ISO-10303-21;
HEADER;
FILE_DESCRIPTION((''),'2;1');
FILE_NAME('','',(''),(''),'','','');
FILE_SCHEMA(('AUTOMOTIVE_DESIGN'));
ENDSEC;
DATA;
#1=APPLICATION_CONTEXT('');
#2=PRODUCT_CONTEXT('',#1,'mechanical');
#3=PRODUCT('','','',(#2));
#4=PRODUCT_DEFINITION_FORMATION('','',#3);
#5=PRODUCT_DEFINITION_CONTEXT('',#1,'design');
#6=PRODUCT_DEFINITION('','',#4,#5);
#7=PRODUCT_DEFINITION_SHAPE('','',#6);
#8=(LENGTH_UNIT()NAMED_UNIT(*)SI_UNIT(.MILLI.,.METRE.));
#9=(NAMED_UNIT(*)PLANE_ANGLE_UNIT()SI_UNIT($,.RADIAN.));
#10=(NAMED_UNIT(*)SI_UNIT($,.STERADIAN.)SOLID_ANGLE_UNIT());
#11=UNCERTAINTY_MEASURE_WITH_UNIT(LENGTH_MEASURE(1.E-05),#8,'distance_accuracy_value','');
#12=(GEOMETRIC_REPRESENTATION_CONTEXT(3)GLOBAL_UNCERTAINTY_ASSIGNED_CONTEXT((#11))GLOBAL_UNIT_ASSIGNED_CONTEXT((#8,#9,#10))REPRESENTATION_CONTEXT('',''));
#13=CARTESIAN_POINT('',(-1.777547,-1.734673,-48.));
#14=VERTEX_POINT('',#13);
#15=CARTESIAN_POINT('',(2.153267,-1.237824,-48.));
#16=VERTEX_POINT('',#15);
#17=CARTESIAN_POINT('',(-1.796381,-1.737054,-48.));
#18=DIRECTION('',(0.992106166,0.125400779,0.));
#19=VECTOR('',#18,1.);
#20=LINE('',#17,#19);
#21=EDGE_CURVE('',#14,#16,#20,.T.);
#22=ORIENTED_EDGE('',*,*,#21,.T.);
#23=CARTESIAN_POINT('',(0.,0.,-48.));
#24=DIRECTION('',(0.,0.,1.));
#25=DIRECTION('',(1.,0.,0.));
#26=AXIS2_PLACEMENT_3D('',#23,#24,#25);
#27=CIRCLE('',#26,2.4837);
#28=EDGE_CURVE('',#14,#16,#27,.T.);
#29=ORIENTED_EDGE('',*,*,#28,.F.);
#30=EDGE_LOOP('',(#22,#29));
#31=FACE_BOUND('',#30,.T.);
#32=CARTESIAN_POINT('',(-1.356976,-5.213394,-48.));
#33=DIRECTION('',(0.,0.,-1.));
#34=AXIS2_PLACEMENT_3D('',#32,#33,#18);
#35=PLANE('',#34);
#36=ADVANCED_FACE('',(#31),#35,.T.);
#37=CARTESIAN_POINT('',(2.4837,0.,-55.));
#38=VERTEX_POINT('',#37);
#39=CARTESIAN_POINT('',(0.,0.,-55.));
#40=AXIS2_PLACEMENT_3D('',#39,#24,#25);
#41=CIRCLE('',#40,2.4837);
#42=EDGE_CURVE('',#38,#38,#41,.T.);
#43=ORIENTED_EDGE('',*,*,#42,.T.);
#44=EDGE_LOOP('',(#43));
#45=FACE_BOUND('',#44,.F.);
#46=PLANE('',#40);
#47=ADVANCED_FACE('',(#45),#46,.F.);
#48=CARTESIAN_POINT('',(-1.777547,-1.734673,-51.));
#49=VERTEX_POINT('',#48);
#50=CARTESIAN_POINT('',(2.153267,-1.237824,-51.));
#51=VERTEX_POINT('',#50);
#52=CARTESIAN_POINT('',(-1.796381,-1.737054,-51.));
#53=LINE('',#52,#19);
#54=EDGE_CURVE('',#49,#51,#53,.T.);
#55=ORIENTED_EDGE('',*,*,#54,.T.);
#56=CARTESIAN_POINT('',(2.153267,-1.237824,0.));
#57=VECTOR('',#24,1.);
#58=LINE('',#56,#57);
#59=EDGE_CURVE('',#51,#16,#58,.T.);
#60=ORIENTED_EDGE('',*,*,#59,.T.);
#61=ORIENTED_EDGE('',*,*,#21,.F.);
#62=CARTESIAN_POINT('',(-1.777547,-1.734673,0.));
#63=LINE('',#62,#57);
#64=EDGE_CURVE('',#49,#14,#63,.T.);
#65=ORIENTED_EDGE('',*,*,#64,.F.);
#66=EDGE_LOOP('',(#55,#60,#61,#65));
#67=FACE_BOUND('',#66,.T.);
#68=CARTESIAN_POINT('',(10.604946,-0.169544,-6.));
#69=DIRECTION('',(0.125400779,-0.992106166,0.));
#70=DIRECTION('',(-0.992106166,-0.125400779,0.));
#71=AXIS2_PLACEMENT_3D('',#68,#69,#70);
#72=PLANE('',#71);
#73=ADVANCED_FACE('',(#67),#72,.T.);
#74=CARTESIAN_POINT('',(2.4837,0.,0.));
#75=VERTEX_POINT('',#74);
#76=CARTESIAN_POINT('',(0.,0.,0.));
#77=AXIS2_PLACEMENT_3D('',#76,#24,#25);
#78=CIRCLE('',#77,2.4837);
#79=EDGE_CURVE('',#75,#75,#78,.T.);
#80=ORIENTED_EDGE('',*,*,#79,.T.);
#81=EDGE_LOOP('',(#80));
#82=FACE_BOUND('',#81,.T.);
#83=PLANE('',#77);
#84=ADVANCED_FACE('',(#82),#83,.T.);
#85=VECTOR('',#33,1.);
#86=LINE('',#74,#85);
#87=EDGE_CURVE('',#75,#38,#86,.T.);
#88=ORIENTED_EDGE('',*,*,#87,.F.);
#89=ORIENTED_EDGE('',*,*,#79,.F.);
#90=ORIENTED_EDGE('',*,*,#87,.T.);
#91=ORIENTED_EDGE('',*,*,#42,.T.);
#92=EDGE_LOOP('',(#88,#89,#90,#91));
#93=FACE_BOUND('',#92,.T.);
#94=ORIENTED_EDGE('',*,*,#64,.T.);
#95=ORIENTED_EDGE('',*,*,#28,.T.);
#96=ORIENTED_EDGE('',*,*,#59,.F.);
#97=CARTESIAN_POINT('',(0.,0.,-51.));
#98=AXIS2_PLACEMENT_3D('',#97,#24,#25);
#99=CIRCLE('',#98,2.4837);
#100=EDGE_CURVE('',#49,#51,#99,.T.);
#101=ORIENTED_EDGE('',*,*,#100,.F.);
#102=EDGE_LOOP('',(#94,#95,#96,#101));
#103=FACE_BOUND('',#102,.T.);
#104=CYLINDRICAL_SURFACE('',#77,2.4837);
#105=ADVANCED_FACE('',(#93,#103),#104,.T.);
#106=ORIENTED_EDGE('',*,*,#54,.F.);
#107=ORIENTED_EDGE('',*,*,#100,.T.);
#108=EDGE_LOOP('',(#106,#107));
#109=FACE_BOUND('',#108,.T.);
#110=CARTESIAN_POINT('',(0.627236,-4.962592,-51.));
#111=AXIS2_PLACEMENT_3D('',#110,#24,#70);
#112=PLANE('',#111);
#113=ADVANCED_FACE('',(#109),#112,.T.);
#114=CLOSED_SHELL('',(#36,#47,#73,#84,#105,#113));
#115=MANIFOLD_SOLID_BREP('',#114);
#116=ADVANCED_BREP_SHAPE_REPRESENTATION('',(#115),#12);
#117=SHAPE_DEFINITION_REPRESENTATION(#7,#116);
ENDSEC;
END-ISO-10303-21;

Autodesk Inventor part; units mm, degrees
ref_plane "YZ Plane" through (0, 0, 0) normal (1, 0, 0) x (0, 1, 0)
ref_plane "XZ Plane" through (0, 0, 0) normal (0, 1, 0) x (-1, 0, 0)
ref_plane "XY Plane" through (0, 0, 0) normal (0, 0, 1) x (1, 0, 0)
sketch "Sketch1" plane through (0, 0, 0) normal (0, 0, 1) x (1, 0, 0)
  circle A0 centre (0, 0) radius 2.4837
extrude "Extrusion1" add sketch "Sketch1" against normal blind 55
ref_plane "Work Plane1" through (11.0441, -3.6439, -6) normal (0.1254, -0.9921, 0) x (-0.9921, -0.1254, 0)
sketch "Sketch2" plane through (11.0441, -3.6439, -6) normal (0.1254, -0.9921, 0) x (-0.9921, -0.1254, 0)
  line L0 (12.9837, 49) -> (8.0163, 49) projected
  line L1 (10.5, 49) -> (10.5, 45)
  line L2 (10.5, 45) -> (10.5, 42)
  line L3 (8.5, 45) -> (12.5, 45)
  line L4 (12.5, 45) -> (12.5, 42)
  line L5 (12.5, 42) -> (8.5, 42)
  line L6 (8.5, 42) -> (8.5, 45)
  line L7 (8.5, 45) -> (12.5, 42) construction
  line L8 (12.5, 45) -> (8.5, 42) construction
  point P0 (10.5, -6)
  point P1 (10.5, 43.5)
  dimension "d2" = 4
  dimension "d3" = 3
  dimension "d4" = 4
extrude "Extrusion2" cut sketch "Sketch2" against normal blind 3.5
properties part number "counter_shaft" material "Aluminum 6061"
